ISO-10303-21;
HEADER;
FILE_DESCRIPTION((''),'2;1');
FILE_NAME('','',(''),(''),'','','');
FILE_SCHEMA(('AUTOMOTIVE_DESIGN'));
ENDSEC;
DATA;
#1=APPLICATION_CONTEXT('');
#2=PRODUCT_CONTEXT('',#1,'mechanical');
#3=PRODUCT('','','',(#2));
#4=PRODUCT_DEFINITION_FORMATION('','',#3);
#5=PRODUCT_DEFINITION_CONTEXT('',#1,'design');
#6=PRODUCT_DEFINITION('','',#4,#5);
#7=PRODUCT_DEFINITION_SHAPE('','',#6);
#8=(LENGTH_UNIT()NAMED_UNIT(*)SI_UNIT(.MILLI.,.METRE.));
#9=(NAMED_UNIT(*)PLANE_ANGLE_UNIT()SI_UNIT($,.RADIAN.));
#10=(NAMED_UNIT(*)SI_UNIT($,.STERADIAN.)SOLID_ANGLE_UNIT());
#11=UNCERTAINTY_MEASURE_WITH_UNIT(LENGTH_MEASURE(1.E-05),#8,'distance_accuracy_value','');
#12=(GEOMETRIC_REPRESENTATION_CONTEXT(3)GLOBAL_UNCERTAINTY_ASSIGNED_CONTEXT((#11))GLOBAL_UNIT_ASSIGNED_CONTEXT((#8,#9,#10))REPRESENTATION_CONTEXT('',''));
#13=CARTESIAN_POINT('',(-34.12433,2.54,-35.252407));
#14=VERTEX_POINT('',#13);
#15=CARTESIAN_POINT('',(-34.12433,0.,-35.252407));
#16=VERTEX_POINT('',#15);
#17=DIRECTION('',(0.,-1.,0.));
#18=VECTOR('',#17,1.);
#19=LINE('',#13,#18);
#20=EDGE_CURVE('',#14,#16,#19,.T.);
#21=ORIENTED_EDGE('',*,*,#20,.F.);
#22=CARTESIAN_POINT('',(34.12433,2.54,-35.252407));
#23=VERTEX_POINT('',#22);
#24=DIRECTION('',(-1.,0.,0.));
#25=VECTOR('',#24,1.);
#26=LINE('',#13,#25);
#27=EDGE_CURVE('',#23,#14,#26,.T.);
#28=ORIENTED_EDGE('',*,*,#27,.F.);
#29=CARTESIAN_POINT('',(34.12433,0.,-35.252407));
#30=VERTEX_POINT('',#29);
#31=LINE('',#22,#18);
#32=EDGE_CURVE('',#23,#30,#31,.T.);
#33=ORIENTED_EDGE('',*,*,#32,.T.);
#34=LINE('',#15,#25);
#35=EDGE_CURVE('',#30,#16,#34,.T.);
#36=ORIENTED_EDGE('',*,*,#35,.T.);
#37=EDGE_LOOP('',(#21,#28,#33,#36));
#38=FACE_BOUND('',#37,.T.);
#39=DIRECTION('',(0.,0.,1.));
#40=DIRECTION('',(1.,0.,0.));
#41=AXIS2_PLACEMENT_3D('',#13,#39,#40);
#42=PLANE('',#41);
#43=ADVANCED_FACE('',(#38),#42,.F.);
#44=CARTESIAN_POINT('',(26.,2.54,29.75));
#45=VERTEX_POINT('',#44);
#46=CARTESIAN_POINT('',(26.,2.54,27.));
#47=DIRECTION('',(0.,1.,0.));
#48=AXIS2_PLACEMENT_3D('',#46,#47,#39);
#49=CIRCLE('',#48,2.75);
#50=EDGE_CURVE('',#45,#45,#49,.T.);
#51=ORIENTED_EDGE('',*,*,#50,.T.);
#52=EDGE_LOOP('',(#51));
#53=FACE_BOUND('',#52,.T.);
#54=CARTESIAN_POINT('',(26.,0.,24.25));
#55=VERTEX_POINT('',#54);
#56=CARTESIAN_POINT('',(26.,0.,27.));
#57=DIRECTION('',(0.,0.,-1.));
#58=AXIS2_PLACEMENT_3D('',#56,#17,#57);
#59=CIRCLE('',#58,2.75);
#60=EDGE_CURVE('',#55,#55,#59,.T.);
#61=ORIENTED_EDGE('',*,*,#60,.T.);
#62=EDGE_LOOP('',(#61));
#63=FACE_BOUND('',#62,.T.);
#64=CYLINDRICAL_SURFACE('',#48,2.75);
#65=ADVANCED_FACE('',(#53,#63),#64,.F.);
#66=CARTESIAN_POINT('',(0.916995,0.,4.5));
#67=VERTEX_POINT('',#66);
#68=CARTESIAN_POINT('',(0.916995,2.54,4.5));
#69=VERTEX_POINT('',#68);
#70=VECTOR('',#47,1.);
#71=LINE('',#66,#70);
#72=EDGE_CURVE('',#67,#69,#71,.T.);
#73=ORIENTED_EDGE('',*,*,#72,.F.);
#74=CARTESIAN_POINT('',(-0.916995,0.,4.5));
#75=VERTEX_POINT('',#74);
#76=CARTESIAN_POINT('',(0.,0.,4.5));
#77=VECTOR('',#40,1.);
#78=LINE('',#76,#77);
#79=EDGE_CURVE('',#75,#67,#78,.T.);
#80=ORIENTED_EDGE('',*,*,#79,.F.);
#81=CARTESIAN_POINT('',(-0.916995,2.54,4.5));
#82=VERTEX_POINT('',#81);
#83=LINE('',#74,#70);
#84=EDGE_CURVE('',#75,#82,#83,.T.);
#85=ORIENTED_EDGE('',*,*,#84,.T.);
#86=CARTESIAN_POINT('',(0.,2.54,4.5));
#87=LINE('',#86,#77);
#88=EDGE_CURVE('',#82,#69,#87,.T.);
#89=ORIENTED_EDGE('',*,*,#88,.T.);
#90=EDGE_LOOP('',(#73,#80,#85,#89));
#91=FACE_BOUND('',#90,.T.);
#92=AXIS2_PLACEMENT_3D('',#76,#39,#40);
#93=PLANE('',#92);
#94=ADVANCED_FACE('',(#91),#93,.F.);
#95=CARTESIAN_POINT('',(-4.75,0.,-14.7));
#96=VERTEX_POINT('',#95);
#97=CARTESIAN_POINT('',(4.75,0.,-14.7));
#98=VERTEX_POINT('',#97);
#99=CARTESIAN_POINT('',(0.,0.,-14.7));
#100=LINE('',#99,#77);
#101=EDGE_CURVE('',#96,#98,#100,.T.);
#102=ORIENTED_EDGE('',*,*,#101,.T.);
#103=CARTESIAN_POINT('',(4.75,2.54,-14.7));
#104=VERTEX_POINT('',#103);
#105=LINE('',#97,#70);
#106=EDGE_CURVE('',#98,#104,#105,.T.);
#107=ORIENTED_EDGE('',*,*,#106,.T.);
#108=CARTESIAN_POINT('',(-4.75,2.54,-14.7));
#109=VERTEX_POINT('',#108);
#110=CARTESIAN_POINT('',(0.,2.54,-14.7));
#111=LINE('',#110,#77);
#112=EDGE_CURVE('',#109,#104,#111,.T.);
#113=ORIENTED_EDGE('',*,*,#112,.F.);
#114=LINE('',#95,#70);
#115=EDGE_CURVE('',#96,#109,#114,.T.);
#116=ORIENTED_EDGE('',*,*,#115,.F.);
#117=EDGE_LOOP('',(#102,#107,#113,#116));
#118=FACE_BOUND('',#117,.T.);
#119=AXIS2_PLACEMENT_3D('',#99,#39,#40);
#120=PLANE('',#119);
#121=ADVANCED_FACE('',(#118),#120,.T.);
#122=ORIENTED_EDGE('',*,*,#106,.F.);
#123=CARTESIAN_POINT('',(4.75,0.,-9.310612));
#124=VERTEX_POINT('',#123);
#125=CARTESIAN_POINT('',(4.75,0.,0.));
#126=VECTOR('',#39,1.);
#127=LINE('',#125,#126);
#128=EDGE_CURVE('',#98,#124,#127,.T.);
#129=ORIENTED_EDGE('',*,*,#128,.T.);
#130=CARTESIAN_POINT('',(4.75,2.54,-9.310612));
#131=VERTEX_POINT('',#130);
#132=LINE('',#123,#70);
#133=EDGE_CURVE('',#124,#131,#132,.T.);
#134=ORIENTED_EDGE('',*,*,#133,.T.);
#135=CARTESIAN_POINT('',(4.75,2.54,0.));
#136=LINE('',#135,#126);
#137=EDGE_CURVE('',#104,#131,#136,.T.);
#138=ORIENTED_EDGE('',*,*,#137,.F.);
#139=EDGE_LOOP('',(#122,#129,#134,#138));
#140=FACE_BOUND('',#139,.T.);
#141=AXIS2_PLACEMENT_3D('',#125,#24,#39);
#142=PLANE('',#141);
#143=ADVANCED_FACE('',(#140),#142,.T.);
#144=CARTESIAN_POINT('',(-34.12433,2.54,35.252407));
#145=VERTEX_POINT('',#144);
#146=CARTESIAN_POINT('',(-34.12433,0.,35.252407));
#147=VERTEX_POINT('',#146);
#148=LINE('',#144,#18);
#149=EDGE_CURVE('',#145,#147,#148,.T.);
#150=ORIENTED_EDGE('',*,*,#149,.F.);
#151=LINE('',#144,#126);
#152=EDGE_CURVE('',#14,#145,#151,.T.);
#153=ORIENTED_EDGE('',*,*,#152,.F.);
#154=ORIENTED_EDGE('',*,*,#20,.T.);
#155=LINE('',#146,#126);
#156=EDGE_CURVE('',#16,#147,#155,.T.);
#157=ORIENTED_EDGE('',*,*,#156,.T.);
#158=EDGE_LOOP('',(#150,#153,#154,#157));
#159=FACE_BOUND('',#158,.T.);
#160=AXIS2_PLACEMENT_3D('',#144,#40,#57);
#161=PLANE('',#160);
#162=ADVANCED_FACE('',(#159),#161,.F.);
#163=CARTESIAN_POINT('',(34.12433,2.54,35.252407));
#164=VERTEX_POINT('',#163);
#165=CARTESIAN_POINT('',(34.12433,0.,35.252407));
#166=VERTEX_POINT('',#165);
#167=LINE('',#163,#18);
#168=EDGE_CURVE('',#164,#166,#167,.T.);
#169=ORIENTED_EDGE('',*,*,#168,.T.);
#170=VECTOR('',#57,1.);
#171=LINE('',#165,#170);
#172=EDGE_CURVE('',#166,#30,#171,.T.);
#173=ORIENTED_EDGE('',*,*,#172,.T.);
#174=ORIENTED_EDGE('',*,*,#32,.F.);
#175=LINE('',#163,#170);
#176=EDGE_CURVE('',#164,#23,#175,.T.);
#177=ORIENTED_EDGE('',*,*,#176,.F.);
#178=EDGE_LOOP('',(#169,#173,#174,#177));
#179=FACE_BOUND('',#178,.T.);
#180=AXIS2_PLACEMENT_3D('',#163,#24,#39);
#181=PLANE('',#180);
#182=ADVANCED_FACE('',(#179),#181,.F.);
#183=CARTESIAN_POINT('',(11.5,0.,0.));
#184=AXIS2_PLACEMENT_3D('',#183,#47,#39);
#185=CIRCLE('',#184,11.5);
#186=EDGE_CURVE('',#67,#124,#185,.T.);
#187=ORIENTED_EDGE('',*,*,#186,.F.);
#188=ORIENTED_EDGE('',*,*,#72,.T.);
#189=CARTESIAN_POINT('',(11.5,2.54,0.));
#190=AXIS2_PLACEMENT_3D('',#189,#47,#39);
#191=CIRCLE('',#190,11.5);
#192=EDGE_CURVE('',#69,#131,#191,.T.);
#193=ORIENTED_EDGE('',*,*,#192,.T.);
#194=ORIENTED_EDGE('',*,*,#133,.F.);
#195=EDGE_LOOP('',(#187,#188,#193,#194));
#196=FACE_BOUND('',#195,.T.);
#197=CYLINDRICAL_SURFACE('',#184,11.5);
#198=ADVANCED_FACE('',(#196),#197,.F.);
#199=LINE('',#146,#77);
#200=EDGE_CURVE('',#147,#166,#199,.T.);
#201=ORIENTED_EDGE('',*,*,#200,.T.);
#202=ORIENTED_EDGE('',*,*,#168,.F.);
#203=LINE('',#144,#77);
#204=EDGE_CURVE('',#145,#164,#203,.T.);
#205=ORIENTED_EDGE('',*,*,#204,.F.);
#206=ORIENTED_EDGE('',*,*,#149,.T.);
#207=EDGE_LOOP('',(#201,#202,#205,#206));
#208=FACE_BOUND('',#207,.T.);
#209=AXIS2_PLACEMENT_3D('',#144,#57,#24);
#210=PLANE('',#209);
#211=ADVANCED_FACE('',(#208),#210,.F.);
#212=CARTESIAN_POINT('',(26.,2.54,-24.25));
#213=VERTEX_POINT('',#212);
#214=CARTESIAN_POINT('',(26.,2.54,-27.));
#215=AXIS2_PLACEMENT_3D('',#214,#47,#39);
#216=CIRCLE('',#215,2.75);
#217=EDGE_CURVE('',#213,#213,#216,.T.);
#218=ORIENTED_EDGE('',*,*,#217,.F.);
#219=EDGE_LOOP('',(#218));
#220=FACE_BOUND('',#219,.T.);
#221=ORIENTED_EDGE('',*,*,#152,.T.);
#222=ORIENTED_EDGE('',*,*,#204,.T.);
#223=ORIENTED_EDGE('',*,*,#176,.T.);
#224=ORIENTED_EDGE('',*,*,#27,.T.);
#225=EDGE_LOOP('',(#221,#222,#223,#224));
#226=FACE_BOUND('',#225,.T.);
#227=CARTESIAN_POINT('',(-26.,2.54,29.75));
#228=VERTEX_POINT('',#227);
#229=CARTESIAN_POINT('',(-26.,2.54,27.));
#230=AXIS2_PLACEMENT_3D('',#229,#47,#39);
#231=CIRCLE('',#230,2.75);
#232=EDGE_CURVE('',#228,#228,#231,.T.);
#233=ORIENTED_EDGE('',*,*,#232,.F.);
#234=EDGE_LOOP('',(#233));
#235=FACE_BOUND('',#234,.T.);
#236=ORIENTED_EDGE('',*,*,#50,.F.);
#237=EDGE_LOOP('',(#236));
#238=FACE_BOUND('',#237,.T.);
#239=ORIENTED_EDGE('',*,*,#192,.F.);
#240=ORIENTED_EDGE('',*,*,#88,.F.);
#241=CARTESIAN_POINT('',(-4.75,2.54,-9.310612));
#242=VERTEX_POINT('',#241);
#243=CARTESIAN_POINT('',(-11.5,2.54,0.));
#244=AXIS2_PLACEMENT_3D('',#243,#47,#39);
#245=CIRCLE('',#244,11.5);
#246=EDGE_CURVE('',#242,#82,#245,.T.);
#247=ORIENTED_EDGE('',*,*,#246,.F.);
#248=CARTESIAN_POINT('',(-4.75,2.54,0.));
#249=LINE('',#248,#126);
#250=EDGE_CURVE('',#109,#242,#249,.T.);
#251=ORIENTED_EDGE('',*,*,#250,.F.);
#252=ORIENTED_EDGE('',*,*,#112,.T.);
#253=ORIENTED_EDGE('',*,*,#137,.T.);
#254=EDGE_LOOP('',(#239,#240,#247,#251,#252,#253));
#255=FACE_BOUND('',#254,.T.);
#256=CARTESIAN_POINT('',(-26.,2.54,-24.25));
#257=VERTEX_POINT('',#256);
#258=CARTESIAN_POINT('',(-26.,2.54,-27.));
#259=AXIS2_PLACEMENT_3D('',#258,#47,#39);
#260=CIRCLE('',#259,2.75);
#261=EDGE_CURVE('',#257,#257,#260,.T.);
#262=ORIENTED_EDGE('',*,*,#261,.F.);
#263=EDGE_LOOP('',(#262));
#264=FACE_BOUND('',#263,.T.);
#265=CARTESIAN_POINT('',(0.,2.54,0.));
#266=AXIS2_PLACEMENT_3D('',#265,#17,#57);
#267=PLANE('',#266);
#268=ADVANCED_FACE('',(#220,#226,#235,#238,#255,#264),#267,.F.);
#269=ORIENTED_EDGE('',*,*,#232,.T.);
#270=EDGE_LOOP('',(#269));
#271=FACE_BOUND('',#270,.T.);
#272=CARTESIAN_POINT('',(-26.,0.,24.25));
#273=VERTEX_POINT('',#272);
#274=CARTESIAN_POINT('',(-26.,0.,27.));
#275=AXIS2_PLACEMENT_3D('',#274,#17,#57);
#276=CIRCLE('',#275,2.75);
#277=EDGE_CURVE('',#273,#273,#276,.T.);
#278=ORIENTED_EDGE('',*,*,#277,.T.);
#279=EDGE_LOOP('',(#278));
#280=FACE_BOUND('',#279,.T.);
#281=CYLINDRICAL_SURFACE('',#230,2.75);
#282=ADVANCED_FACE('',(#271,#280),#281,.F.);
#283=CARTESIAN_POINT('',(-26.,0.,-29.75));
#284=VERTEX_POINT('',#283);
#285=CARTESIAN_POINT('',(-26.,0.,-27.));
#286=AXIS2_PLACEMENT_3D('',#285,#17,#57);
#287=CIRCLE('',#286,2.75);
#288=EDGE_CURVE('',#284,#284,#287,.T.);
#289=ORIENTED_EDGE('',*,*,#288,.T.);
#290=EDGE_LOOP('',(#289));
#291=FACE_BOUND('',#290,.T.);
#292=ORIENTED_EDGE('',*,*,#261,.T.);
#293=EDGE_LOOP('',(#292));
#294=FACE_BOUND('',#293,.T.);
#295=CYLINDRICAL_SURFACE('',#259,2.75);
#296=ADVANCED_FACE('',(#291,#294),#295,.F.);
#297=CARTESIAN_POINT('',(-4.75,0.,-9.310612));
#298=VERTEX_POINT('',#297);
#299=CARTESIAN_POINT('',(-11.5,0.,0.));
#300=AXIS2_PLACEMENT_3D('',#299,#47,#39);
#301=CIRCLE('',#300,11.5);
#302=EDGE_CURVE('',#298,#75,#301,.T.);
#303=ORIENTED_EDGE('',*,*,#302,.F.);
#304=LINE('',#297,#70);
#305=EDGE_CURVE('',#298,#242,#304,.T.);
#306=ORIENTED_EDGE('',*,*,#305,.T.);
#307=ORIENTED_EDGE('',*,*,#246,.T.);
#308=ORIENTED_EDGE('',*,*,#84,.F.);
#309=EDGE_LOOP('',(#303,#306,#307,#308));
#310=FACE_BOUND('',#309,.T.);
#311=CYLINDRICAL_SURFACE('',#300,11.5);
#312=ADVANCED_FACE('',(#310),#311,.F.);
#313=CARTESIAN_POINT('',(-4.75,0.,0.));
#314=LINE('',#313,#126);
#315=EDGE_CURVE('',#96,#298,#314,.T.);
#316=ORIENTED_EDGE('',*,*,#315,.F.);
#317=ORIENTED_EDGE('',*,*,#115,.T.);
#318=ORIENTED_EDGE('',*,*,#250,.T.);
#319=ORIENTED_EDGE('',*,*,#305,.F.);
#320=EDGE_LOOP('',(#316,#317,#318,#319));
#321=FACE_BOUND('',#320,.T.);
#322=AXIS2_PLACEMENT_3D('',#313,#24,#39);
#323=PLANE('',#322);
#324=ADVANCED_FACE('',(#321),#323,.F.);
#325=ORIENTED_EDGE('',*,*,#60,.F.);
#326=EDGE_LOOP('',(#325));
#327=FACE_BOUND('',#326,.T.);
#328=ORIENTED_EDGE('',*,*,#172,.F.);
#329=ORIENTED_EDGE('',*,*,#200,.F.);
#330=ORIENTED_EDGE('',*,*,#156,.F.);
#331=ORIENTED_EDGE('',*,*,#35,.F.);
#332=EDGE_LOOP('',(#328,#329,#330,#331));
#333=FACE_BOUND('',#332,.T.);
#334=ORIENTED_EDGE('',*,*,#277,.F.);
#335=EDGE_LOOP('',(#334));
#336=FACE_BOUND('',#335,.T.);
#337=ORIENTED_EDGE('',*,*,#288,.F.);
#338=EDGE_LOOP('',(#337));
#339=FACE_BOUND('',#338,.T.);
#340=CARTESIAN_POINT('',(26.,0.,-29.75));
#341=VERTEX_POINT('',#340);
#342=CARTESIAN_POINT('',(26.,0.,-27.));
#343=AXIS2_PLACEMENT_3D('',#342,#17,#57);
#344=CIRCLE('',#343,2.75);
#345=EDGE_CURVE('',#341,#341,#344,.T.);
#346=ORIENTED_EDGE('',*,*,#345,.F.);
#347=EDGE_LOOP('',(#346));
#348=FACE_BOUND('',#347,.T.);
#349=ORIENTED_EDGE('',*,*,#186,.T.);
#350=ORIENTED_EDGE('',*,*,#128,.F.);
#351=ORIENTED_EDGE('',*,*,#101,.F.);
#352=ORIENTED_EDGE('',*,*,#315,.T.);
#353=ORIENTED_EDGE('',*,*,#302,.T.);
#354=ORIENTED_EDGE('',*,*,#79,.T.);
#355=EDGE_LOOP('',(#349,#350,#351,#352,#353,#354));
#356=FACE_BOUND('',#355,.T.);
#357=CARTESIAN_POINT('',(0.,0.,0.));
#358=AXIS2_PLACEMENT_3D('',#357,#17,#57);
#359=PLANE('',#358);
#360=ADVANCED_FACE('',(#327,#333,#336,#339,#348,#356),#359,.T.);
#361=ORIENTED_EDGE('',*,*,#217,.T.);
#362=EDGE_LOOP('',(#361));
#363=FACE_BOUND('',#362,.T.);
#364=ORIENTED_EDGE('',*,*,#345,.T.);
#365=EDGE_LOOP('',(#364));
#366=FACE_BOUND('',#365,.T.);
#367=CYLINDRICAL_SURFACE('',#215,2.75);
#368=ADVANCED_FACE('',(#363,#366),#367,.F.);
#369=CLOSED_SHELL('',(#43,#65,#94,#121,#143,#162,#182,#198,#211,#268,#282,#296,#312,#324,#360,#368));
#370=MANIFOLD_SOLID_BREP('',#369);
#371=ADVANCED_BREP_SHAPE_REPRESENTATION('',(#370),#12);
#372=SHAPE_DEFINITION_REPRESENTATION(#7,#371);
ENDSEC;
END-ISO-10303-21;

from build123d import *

# Parameters (mm, degrees)
SKETCH1_W            = 68.248659994
SKETCH1_H            = 70.504814042
BOSS_EXTRUDE1_DEPTH  = 2.54
M5_CLEARANCE_HOLE1_D = 5.5
CUT_EXTRUDE1_DEPTH   = 50.128949699


with BuildPart() as part:
    # Sketch1 → Boss-Extrude1 (new body)
    with BuildSketch(Plane(origin=(0, 0, 0), x_dir=(1, 0, 0), z_dir=(0, 1, 0))):
        Rectangle(SKETCH1_W, SKETCH1_H)
    extrude(amount=BOSS_EXTRUDE1_DEPTH)

    # M5 Clearance Hole1 (through all)
    with Locations(Plane(origin=(0, 2.54, 0), x_dir=(1, 0, 0), z_dir=(0, 1, 0))):
        with Locations((26, 27), (-26, 27), (-26, -27), (26, -27)):
            Hole(M5_CLEARANCE_HOLE1_D / 2)

    # Sketch2 → Cut-Extrude1 (cut, through all)
    with BuildSketch(Plane(origin=(0, 2.54, 0), x_dir=(1, 0, 0), z_dir=(0, 1, 0))):
        with BuildLine():
            Line((-4.75, 14.7), (4.75, 14.7))
            Line((4.75, 14.7), (4.75, 9.310612225))
            ThreePointArc((4.75, 9.310612225), (22.581133525, -3.075464159), (0.916994756, -4.5))
            Line((0.916994756, -4.5), (-0.916994756, -4.5))
            ThreePointArc((-0.916994756, -4.5), (-22.581133525, -3.075464159), (-4.75, 9.310612225))
            Line((-4.75, 9.310612225), (-4.75, 14.7))
        make_face()
    extrude(amount=-CUT_EXTRUDE1_DEPTH, mode=Mode.SUBTRACT)


solid = part.part
